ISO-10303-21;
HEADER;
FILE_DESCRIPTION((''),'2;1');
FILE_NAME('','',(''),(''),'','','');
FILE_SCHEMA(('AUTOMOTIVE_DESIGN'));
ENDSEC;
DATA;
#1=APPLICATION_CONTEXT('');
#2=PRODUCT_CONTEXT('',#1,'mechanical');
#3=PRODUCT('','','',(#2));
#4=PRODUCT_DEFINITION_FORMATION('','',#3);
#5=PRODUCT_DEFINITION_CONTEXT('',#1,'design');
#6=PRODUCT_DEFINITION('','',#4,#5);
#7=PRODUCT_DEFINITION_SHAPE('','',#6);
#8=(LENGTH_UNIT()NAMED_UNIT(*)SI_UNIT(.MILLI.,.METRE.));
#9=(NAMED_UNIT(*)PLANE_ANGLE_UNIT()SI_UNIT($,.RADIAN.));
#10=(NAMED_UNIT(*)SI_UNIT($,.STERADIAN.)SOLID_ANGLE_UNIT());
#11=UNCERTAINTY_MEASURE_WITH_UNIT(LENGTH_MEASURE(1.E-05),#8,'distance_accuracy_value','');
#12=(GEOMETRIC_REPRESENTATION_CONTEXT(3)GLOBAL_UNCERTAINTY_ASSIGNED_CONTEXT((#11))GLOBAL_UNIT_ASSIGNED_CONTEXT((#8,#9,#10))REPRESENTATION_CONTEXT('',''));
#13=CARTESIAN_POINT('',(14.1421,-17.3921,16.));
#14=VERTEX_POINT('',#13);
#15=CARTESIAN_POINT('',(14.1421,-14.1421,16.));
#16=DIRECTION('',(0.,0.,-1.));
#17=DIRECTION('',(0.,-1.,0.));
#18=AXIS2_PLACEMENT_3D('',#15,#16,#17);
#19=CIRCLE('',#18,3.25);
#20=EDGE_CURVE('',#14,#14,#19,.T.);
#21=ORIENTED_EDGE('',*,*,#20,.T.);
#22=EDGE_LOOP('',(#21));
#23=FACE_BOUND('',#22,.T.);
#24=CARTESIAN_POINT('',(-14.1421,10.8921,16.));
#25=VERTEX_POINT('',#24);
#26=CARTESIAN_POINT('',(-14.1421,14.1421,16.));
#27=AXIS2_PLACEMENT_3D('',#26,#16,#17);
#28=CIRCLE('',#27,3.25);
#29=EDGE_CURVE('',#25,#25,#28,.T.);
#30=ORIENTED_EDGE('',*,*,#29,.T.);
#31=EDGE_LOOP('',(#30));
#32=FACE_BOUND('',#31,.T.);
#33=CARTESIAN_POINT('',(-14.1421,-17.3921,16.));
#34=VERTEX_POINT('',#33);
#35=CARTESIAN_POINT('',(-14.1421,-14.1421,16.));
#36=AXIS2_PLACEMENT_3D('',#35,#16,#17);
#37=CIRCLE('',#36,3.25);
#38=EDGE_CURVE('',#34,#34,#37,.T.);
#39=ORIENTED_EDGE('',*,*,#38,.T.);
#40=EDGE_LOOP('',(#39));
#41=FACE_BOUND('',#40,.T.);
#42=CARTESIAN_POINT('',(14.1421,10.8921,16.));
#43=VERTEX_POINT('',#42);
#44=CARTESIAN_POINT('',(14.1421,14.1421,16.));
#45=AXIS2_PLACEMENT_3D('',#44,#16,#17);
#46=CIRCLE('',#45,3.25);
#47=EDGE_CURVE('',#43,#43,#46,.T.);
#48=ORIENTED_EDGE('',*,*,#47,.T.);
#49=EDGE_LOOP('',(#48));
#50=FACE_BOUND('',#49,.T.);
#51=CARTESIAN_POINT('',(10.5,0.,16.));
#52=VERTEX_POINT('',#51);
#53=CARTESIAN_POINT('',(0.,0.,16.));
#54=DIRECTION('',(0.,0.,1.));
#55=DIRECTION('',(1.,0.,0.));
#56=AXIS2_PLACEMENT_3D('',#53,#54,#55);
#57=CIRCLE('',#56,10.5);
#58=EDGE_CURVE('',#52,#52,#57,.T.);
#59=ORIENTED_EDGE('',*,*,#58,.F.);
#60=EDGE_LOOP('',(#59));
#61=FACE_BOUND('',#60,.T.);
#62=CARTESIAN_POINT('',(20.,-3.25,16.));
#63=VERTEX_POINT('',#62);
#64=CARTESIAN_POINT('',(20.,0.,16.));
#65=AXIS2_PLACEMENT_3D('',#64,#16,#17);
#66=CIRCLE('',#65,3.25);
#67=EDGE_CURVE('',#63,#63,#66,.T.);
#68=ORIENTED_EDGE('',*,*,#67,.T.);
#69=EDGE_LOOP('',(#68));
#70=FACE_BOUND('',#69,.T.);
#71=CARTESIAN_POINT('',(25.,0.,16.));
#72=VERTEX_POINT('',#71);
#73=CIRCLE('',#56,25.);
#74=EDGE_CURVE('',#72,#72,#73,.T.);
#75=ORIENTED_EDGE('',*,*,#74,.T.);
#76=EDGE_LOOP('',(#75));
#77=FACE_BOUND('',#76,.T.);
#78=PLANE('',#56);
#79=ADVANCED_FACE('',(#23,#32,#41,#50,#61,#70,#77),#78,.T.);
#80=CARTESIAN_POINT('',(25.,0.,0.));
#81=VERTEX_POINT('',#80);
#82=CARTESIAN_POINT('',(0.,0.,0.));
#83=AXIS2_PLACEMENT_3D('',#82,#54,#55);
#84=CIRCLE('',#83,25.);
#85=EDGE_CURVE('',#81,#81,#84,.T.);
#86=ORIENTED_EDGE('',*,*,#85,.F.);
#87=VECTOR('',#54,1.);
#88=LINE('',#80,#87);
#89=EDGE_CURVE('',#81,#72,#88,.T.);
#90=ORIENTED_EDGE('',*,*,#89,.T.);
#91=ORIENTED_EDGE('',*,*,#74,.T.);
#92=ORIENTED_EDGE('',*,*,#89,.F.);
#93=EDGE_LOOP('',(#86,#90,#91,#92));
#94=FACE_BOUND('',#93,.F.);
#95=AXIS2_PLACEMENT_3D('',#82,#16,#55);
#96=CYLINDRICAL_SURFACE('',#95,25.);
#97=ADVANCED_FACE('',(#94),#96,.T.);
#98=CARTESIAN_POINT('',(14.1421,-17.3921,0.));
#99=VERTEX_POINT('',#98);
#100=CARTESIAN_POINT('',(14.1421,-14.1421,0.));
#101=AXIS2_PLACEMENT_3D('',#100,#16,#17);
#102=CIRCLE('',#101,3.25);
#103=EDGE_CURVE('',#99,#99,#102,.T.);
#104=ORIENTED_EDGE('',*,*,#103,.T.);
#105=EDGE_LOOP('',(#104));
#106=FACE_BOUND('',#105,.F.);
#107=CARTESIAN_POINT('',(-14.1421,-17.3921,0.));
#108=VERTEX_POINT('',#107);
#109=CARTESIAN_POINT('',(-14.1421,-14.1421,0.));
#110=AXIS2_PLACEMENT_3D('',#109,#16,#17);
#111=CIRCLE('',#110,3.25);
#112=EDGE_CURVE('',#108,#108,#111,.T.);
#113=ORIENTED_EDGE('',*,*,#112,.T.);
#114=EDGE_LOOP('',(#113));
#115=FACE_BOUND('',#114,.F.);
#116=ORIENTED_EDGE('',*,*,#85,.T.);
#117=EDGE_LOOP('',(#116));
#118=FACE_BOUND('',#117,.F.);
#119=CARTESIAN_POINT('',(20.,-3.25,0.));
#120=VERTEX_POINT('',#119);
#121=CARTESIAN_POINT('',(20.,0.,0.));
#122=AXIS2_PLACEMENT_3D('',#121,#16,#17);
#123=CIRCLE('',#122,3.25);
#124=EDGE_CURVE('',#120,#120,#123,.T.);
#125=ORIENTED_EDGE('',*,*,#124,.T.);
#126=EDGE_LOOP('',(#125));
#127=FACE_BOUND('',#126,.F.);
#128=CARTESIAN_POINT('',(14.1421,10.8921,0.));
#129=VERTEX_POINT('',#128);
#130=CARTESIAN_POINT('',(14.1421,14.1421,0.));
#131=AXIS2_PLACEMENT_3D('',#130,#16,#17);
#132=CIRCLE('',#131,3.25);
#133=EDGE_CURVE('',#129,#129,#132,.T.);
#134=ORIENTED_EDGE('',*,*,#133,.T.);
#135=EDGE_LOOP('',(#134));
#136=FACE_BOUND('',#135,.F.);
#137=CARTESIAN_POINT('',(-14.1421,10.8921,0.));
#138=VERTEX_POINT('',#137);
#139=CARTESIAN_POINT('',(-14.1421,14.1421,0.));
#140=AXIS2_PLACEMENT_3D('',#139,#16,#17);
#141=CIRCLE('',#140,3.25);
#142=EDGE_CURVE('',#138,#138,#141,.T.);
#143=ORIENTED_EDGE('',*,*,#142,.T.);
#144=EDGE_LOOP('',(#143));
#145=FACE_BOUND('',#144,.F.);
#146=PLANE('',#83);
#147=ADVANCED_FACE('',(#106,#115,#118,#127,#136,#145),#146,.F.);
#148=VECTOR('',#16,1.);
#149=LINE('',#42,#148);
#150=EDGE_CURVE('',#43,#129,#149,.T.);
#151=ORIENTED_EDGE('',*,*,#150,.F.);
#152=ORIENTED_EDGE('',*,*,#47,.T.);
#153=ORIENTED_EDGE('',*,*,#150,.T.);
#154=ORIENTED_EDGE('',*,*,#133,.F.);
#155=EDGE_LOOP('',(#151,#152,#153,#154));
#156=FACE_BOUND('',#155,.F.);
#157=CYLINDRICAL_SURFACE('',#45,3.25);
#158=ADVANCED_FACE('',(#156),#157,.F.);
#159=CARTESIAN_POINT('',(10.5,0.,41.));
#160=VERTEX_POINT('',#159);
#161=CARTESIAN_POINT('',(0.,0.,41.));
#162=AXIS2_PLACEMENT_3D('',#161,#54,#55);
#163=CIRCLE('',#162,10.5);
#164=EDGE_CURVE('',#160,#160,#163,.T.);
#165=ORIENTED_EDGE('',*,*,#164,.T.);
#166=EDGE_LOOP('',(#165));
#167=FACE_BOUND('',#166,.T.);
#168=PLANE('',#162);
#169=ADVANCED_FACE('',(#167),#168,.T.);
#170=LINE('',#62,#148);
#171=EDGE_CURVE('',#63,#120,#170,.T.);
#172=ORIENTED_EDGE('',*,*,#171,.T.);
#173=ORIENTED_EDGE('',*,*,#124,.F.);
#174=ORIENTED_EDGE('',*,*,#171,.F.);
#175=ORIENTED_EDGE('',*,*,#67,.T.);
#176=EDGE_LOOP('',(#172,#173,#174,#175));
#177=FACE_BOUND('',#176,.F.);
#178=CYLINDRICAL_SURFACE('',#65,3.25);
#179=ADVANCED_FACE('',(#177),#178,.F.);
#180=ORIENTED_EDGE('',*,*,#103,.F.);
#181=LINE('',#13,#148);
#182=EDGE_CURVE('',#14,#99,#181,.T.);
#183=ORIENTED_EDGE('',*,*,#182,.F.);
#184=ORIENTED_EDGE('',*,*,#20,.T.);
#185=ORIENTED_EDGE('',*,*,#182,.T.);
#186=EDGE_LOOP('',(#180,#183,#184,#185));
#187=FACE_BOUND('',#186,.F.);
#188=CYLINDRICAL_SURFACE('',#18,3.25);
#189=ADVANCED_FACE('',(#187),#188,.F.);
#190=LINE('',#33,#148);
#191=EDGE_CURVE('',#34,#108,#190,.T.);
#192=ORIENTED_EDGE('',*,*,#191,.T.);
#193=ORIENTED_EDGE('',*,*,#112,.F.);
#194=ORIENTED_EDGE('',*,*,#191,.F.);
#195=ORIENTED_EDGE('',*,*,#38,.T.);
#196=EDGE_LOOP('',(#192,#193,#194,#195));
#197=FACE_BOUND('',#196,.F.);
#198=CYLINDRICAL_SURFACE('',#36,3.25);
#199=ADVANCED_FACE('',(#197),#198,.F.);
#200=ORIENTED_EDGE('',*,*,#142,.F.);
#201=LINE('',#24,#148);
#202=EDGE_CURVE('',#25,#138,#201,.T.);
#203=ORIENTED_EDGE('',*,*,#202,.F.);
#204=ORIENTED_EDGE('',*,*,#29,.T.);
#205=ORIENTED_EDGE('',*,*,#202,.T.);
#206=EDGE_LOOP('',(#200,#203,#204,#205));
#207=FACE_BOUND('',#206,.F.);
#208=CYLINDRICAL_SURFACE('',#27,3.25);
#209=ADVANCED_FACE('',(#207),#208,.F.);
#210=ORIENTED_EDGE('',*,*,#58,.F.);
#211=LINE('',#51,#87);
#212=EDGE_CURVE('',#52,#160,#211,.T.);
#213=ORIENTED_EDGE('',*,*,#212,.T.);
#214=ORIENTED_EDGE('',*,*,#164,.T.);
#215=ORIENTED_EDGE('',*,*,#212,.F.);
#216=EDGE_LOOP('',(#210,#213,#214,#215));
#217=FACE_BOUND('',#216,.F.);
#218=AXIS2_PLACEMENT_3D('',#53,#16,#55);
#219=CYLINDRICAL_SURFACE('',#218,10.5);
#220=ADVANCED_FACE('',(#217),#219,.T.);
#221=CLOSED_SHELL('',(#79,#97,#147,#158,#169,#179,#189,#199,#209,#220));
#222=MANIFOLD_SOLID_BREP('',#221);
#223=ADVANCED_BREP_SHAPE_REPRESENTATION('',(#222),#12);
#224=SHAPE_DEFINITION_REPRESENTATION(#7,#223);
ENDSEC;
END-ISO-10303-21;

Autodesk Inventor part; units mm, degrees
ref_plane "YZ Plane" through (0, 0, 0) normal (1, 0, 0) x (0, 1, 0)
ref_plane "XZ Plane" through (0, 0, 0) normal (0, 1, 0) x (-1, 0, 0)
ref_plane "XY Plane" through (0, 0, 0) normal (0, 0, 1) x (1, 0, 0)
sketch "Sketch1" plane through (0, 0, 0) normal (0, 0, 1) x (1, 0, 0)
  circle A0 centre (0, 0) radius 25
  line L0 (0, 0) -> (20, 0) construction
  dimension "d0" = 50
  dimension "d1" = 20
extrude "Extrusion1" add sketch "Sketch1" along normal blind 16
sketch "Sketch2" plane through (0, 0, 16) normal (0, 0, 1) x (1, 0, 0)
  circle A0 centre (0, 0) radius 25 projected
  point P0 (-14.1421, 14.1421)
  point P1 (-14.1421, -14.1421)
  point P2 (14.1421, -14.1421)
  point P3 (14.1421, 14.1421)
  dimension "d18" = 360
hole "Hole1" at (-14.1421, 14.1421, 16) at (-14.1421, -14.1421, 16) at (14.1421, -14.1421, 16) at (14.1421, 14.1421, 16) direction (0, 0, -1) diameter 6.5 end through all
sketch "Sketch11" plane through (0, 0, 16) normal (0, 0, 1) x (1, 0, 0)
  line L0 (0, 0) -> (20, 0)
  dimension "d68" = 20
hole "Hole4" at (20, 0, 16) direction (0, 0, -1) diameter 6.5 end through all
sketch "Sketch12" plane through (0, 0, 16) normal (0, 0, 1) x (1, 0, 0)
  circle A0 centre (0, 0) radius 10.5
  dimension "d76" = 21
extrude "Extrusion7" add sketch "Sketch12" along normal blind 25
properties part number "BaseImpresion" material "PVC-Piping"
